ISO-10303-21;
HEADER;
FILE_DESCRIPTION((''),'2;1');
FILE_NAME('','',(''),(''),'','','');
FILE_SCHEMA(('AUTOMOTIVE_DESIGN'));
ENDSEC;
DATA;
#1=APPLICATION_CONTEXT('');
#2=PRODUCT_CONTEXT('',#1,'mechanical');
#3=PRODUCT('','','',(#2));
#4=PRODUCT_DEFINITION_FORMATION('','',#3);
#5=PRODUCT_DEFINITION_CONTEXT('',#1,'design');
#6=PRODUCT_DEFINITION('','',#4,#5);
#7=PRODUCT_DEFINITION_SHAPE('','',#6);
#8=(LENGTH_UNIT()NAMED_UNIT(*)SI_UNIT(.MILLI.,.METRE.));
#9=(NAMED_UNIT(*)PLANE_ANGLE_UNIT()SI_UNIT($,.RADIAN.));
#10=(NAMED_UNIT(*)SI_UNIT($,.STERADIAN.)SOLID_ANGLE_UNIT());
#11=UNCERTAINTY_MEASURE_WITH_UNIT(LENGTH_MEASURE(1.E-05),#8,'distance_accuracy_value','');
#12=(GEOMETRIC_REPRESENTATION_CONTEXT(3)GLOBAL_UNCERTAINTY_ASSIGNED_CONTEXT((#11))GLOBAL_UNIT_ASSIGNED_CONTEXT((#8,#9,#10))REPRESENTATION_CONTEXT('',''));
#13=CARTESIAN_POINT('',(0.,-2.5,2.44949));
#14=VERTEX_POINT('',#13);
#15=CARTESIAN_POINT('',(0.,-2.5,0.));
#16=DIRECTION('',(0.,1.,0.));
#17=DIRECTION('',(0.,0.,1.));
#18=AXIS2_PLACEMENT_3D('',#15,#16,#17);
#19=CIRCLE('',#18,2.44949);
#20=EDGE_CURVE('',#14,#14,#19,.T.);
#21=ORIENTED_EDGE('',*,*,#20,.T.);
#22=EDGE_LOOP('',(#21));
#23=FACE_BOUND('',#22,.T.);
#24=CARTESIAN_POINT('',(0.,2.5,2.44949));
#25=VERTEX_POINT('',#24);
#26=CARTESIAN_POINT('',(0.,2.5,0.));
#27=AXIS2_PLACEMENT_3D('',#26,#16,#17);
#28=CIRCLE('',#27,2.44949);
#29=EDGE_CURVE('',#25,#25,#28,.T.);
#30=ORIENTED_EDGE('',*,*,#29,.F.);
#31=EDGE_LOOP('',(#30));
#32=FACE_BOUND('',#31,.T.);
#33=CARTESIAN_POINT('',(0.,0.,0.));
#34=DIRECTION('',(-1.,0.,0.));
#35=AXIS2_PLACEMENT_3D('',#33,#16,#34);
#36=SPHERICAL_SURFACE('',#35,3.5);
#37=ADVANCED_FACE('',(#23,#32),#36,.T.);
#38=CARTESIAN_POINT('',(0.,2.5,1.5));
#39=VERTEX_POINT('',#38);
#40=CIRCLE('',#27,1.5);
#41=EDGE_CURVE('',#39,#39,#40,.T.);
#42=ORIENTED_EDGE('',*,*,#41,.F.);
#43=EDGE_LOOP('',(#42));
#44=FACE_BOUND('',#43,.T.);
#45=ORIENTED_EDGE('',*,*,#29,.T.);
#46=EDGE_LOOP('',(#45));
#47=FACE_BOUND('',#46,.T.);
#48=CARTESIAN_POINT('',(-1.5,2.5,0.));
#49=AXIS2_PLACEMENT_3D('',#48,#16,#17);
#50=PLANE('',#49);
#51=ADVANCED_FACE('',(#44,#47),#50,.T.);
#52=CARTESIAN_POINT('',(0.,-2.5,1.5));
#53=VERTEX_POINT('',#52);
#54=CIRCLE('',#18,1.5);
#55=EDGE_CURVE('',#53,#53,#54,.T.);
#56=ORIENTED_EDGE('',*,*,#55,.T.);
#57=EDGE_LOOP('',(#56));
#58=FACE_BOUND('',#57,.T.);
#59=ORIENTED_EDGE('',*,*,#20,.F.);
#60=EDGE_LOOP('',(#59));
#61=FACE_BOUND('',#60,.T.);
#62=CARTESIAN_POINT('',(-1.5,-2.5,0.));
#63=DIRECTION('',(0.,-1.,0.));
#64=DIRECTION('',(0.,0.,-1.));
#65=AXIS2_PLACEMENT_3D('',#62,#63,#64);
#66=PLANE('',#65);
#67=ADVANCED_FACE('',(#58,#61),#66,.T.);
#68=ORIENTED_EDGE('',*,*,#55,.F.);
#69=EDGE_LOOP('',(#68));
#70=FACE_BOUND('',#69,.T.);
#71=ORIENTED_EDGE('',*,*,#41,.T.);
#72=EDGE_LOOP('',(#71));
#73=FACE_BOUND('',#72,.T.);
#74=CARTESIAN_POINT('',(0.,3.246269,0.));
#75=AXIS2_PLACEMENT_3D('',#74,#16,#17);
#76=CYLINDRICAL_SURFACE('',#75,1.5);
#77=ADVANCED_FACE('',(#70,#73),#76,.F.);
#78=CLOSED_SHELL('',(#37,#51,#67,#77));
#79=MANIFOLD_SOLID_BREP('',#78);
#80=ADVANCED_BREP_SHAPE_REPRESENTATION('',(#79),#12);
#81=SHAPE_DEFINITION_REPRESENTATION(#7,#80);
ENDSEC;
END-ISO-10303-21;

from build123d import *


with BuildPart() as part:
    # Sketch1 → Revolve1 (revolve)
    with BuildSketch(Plane.XY):
        with BuildLine():
            Line((-1.5, 2.5), (-1.5, -2.5))
            Line((-1.5, -2.5), (-2.449489743, -2.5))
            ThreePointArc((-2.449489743, -2.5), (-3.5, 0), (-2.449489743, 2.5))
            Line((-2.449489743, 2.5), (-1.5, 2.5))
        make_face()
    revolve(axis=Axis((0, 3.246268657, 0), (0, -1, 0)))


solid = part.part
